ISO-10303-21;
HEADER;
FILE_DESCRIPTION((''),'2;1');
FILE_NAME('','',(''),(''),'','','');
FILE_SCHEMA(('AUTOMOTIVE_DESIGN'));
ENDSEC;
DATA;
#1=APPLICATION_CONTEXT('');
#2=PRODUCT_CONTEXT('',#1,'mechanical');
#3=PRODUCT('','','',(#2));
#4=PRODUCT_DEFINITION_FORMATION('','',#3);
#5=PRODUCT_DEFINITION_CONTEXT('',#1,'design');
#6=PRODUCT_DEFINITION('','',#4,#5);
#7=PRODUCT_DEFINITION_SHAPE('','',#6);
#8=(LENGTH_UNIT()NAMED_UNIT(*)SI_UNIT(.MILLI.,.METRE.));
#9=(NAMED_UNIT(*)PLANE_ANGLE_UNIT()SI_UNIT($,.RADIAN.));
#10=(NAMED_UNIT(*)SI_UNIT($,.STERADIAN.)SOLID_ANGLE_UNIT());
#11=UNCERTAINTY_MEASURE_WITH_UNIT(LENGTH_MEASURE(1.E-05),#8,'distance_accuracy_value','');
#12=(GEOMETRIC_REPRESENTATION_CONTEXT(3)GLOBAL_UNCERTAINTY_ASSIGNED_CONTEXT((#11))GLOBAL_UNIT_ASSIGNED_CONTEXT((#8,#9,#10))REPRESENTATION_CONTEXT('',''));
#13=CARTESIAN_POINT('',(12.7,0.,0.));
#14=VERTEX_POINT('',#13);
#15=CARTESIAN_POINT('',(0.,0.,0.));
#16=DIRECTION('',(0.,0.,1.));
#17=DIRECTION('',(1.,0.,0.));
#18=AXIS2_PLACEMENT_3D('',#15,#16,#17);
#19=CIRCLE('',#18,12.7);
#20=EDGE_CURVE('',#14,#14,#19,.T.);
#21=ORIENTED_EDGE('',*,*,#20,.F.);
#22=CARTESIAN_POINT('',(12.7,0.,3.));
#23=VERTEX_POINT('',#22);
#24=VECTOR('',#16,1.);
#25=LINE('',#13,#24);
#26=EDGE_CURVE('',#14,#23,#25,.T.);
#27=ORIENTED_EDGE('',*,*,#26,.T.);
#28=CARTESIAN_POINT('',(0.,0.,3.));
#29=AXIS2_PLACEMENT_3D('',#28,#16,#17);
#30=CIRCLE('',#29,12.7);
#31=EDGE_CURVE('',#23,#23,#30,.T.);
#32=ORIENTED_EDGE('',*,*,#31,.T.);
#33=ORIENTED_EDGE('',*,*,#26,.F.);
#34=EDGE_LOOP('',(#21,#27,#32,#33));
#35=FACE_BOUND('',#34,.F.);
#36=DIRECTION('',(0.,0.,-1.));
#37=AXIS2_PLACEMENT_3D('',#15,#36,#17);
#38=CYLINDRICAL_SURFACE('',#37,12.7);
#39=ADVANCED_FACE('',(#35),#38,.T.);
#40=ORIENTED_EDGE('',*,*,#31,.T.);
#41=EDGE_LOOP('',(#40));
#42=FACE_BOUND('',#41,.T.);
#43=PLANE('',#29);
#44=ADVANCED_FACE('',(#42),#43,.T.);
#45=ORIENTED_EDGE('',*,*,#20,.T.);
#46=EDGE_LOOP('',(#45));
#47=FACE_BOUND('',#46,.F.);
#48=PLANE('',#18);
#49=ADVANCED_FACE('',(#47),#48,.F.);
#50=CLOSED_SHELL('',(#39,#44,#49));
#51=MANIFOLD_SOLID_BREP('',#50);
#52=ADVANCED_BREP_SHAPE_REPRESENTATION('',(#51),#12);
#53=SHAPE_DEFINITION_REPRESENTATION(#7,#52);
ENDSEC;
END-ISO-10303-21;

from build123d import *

# Parameters (mm, degrees)
SKETCH_1_R      = 12.7
EXTRUDE_1_DEPTH = 3


with BuildPart() as part:
    # 草图1 → 凸台-拉伸1 (new body)
    with BuildSketch(Plane.XY):
        Circle(SKETCH_1_R)
    extrude(amount=EXTRUDE_1_DEPTH)


solid = part.part
